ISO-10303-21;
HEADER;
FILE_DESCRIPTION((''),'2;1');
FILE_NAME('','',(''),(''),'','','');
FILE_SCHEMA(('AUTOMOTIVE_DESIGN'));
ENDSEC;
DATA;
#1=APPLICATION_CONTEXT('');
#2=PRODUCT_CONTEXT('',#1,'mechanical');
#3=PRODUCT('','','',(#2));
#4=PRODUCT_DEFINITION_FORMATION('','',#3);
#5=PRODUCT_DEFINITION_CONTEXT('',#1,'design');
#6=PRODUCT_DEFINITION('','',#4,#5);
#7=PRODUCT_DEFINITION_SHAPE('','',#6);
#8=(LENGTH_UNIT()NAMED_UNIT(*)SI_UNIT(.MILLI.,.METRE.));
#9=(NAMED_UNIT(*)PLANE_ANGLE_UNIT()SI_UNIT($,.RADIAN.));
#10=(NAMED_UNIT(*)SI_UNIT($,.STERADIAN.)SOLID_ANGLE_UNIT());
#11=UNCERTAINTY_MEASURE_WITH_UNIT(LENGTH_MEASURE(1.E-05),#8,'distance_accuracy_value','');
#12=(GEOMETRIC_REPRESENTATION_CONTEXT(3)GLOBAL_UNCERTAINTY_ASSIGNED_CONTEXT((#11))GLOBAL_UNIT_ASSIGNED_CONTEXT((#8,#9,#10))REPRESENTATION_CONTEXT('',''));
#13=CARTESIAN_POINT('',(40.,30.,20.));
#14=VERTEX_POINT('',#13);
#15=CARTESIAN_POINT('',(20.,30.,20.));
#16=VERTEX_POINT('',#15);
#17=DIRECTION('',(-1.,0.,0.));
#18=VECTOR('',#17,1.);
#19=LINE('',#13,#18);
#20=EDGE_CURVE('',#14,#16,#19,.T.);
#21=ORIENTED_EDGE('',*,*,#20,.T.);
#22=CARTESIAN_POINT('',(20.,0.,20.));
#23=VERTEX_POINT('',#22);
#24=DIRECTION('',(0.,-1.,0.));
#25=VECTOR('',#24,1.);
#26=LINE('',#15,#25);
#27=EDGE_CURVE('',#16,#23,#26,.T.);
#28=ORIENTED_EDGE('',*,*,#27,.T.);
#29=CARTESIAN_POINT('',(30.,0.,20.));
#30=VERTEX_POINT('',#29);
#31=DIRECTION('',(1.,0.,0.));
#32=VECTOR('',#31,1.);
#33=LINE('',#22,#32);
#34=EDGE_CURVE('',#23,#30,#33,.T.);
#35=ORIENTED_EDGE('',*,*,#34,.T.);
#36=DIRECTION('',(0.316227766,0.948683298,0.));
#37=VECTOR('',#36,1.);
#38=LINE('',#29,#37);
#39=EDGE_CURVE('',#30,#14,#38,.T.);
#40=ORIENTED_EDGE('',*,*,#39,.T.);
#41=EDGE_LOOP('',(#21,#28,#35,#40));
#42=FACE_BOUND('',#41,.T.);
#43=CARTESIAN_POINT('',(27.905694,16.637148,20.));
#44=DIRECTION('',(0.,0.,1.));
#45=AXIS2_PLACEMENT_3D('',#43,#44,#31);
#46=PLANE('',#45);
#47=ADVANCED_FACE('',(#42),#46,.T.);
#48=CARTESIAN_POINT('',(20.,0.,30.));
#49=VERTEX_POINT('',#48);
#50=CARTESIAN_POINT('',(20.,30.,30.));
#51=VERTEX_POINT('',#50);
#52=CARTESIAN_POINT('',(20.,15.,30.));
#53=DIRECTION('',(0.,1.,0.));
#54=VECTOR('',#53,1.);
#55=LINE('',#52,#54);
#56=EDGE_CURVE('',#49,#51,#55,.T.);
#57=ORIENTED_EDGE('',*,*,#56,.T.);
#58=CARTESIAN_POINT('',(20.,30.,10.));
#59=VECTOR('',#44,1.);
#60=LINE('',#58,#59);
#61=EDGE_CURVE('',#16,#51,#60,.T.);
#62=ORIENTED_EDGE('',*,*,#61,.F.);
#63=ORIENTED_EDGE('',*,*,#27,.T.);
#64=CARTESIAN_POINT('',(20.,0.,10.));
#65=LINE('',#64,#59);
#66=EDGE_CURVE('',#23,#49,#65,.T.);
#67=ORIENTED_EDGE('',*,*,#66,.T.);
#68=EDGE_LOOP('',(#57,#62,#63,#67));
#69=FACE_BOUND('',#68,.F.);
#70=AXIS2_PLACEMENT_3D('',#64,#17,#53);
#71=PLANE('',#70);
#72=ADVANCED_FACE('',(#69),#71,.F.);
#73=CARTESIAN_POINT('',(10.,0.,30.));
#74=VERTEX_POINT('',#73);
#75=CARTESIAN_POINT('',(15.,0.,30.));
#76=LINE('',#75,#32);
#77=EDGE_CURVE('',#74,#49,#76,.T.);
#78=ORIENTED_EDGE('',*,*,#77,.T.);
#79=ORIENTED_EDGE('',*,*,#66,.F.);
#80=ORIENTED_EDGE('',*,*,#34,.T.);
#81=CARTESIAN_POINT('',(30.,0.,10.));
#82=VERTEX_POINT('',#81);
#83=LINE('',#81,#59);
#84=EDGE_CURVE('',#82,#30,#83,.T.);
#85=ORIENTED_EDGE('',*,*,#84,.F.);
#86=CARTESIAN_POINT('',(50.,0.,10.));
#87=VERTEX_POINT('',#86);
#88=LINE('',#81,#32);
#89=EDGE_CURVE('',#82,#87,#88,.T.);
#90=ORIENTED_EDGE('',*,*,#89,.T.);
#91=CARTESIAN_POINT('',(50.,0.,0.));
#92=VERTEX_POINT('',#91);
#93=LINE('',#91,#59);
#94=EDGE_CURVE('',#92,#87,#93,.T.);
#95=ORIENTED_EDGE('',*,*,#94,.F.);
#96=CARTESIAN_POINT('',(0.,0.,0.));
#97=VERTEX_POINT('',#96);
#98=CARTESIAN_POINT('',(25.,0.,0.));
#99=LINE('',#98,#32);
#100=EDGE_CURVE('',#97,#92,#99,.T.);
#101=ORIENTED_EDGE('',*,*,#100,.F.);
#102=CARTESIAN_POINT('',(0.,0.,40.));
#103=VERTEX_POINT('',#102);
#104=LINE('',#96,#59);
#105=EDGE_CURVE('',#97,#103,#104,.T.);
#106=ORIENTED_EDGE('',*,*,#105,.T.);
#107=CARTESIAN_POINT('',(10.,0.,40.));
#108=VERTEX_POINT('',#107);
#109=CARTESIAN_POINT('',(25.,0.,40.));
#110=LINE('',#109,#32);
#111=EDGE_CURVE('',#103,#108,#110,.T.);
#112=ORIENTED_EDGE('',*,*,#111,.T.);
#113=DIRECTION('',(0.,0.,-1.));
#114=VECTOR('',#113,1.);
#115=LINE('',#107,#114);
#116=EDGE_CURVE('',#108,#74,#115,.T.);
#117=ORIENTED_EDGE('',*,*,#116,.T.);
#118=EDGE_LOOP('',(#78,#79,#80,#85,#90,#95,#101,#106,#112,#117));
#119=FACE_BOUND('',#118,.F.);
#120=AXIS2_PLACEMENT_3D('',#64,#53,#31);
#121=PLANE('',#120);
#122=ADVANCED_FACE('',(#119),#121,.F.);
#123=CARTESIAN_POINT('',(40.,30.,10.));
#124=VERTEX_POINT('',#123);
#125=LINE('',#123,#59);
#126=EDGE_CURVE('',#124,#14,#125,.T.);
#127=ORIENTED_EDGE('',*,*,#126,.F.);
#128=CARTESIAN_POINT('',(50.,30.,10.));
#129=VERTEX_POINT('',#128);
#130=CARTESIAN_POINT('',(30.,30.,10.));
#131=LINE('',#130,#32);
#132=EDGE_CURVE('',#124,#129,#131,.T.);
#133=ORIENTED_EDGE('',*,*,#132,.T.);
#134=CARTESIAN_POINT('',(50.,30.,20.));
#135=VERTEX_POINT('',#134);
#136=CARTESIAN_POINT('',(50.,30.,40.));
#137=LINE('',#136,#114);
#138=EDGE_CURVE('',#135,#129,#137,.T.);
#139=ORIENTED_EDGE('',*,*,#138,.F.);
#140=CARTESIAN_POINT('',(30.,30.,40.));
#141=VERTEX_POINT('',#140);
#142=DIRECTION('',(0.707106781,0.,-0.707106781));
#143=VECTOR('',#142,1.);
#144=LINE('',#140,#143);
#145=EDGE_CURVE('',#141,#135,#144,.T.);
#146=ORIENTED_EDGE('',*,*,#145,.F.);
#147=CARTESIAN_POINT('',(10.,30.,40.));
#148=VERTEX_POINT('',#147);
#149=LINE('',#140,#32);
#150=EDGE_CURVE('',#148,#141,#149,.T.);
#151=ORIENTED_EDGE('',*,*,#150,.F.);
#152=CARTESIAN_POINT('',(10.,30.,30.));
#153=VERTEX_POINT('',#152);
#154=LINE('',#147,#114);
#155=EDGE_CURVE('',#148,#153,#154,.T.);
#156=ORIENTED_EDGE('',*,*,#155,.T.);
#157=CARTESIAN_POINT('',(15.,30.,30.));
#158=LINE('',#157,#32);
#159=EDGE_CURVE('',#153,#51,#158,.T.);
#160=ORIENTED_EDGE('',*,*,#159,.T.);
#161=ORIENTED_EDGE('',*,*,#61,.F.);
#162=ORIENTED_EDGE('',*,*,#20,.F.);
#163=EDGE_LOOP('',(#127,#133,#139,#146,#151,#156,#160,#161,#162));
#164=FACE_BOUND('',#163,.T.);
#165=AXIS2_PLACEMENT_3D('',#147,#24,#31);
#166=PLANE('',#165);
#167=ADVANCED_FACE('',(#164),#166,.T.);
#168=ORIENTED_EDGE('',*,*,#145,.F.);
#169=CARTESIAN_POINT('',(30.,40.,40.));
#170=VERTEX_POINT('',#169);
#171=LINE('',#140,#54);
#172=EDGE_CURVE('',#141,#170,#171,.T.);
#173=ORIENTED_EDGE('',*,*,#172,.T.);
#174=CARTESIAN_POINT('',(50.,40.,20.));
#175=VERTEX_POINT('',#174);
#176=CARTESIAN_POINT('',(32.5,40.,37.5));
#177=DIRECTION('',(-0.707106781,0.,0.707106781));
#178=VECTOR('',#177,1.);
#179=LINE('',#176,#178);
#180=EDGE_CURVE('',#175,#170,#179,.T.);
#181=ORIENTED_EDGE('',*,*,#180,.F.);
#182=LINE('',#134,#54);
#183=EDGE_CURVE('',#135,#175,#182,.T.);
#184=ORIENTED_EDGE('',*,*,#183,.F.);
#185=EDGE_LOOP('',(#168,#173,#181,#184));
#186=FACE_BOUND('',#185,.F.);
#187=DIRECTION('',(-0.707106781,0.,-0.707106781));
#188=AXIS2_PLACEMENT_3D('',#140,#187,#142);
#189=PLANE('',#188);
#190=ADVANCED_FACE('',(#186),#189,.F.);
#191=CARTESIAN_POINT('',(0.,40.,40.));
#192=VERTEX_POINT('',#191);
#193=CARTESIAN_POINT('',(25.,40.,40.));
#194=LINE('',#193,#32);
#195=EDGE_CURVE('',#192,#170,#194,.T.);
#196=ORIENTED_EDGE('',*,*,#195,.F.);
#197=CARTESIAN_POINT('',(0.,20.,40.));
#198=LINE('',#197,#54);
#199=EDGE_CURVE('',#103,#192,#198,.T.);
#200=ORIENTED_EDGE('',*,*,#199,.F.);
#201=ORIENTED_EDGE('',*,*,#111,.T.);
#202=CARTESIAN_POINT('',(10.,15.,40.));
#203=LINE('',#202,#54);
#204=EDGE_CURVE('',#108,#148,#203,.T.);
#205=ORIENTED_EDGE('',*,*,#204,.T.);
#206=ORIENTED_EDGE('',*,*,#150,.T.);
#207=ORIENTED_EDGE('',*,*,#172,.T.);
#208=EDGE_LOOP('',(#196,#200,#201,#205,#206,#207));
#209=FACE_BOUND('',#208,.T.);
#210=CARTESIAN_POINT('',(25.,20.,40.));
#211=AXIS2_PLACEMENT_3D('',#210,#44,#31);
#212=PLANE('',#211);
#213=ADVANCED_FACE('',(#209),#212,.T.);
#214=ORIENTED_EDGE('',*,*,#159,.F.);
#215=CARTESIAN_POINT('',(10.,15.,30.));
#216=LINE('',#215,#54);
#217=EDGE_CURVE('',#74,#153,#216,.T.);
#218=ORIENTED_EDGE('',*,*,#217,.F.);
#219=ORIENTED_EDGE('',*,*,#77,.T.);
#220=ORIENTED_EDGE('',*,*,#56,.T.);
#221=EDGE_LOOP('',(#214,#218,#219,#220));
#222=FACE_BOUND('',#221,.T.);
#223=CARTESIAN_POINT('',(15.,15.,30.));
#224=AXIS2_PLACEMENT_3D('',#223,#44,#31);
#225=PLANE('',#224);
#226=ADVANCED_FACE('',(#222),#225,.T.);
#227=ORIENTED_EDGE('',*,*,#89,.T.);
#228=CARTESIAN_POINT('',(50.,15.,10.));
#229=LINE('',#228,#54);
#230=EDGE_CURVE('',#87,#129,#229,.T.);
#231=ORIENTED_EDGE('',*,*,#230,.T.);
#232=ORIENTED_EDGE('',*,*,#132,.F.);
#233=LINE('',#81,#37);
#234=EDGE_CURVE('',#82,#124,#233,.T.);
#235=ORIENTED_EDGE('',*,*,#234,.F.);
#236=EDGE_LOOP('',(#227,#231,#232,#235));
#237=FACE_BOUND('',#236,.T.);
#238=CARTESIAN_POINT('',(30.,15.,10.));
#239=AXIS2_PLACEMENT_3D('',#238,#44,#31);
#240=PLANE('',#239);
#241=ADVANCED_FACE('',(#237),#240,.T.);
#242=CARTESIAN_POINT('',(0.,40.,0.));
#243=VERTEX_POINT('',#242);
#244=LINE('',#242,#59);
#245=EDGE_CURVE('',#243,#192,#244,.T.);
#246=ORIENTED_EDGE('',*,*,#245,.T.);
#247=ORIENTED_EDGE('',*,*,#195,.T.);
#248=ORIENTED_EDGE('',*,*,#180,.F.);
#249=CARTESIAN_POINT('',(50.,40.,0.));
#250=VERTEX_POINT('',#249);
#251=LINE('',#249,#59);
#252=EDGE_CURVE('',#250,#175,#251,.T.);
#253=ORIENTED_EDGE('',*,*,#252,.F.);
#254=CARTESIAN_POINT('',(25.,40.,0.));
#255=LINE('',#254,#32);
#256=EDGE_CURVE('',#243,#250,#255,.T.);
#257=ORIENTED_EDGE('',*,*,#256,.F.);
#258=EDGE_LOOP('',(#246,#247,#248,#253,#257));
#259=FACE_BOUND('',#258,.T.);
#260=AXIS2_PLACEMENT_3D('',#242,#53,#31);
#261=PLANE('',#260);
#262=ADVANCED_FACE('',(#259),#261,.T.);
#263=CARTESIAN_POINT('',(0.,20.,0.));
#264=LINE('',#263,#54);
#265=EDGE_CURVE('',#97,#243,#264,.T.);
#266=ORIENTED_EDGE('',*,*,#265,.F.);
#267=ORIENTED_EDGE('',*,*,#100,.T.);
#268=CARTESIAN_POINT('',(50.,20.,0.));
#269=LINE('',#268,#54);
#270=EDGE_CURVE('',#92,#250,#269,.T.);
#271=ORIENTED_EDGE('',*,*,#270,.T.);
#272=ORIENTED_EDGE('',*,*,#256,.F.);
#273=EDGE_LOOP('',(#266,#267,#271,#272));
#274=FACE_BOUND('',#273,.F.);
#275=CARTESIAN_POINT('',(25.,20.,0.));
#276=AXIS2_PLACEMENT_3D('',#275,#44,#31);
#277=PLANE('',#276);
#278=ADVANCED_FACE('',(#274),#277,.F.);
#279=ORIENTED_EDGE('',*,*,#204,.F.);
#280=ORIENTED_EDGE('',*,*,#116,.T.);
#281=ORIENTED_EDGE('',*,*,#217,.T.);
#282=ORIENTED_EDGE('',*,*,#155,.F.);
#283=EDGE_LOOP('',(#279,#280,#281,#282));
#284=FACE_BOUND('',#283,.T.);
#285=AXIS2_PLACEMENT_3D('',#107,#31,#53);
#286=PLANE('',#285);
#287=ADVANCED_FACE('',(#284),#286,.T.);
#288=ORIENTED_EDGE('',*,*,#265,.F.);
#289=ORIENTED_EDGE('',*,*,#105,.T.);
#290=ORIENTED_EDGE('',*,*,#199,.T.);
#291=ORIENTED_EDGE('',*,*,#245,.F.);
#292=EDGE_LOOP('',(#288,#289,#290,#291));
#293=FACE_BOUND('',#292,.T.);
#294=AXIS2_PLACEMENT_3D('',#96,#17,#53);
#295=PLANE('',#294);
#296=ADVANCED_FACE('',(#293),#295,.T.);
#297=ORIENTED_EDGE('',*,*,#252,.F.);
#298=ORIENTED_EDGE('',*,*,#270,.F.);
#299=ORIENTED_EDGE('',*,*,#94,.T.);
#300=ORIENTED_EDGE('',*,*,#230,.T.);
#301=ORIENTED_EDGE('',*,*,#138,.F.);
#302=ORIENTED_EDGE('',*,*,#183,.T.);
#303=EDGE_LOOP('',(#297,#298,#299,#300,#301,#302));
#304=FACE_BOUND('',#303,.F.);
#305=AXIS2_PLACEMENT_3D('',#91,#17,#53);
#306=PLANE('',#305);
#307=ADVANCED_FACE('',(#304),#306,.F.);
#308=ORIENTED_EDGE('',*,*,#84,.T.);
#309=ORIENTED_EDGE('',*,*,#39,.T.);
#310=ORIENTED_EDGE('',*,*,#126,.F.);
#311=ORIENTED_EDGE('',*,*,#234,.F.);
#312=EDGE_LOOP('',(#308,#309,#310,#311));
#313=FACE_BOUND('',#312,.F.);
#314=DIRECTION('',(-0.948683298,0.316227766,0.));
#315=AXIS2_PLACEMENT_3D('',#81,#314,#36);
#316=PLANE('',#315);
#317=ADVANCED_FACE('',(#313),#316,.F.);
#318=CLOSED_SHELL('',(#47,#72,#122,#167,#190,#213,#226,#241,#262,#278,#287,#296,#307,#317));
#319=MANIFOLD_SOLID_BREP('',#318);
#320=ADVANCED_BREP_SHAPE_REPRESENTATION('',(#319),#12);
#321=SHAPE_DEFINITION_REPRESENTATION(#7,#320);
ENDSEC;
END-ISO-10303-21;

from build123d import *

# Parameters (mm, degrees)
F0_W     = 50
F0_H     = 40
F1_DEPTH = 40
F2_W     = 40
F2_H     = 30
F3_DEPTH = 30
F5_DEPTH = 10.001
F6_W     = 10
F6_H     = 30
F7_DEPTH = 20
F8_DEPTH = 10


with BuildPart() as f1:
    # F0 (on Top) → F1 (new body)
    with BuildSketch(Plane.XY):
        with Locations((25, 20)):
            Rectangle(F0_W, F0_H)
    extrude(amount=F1_DEPTH)

    # F2 (on face) → F3 (cut)
    with BuildSketch(Plane.XY.offset(40)):
        with Locations((30, 15)):
            Rectangle(F2_W, F2_H)
    extrude(amount=-F3_DEPTH, mode=Mode.SUBTRACT)

    # F4 (on face) → F5 (cut, through all)
    with BuildSketch(Plane.XZ.offset(-30)):
        Polygon((50, 40), (30, 40), (50, 20), align=None)
    extrude(amount=-F5_DEPTH, mode=Mode.SUBTRACT)

    # F6 (on face) → F7 (join)
    with BuildSketch(Plane.XY.offset(10)):
        with Locations((15, 15)):
            Rectangle(F6_W, F6_H)
    extrude(amount=F7_DEPTH)

    # F6 (on face) → F8 (join)
    with BuildSketch(Plane.XY.offset(10)):
        Polygon((40, 30), (20, 30), (20, 0), (30, 0), align=None)
    extrude(amount=F8_DEPTH)


solid = f1.part
